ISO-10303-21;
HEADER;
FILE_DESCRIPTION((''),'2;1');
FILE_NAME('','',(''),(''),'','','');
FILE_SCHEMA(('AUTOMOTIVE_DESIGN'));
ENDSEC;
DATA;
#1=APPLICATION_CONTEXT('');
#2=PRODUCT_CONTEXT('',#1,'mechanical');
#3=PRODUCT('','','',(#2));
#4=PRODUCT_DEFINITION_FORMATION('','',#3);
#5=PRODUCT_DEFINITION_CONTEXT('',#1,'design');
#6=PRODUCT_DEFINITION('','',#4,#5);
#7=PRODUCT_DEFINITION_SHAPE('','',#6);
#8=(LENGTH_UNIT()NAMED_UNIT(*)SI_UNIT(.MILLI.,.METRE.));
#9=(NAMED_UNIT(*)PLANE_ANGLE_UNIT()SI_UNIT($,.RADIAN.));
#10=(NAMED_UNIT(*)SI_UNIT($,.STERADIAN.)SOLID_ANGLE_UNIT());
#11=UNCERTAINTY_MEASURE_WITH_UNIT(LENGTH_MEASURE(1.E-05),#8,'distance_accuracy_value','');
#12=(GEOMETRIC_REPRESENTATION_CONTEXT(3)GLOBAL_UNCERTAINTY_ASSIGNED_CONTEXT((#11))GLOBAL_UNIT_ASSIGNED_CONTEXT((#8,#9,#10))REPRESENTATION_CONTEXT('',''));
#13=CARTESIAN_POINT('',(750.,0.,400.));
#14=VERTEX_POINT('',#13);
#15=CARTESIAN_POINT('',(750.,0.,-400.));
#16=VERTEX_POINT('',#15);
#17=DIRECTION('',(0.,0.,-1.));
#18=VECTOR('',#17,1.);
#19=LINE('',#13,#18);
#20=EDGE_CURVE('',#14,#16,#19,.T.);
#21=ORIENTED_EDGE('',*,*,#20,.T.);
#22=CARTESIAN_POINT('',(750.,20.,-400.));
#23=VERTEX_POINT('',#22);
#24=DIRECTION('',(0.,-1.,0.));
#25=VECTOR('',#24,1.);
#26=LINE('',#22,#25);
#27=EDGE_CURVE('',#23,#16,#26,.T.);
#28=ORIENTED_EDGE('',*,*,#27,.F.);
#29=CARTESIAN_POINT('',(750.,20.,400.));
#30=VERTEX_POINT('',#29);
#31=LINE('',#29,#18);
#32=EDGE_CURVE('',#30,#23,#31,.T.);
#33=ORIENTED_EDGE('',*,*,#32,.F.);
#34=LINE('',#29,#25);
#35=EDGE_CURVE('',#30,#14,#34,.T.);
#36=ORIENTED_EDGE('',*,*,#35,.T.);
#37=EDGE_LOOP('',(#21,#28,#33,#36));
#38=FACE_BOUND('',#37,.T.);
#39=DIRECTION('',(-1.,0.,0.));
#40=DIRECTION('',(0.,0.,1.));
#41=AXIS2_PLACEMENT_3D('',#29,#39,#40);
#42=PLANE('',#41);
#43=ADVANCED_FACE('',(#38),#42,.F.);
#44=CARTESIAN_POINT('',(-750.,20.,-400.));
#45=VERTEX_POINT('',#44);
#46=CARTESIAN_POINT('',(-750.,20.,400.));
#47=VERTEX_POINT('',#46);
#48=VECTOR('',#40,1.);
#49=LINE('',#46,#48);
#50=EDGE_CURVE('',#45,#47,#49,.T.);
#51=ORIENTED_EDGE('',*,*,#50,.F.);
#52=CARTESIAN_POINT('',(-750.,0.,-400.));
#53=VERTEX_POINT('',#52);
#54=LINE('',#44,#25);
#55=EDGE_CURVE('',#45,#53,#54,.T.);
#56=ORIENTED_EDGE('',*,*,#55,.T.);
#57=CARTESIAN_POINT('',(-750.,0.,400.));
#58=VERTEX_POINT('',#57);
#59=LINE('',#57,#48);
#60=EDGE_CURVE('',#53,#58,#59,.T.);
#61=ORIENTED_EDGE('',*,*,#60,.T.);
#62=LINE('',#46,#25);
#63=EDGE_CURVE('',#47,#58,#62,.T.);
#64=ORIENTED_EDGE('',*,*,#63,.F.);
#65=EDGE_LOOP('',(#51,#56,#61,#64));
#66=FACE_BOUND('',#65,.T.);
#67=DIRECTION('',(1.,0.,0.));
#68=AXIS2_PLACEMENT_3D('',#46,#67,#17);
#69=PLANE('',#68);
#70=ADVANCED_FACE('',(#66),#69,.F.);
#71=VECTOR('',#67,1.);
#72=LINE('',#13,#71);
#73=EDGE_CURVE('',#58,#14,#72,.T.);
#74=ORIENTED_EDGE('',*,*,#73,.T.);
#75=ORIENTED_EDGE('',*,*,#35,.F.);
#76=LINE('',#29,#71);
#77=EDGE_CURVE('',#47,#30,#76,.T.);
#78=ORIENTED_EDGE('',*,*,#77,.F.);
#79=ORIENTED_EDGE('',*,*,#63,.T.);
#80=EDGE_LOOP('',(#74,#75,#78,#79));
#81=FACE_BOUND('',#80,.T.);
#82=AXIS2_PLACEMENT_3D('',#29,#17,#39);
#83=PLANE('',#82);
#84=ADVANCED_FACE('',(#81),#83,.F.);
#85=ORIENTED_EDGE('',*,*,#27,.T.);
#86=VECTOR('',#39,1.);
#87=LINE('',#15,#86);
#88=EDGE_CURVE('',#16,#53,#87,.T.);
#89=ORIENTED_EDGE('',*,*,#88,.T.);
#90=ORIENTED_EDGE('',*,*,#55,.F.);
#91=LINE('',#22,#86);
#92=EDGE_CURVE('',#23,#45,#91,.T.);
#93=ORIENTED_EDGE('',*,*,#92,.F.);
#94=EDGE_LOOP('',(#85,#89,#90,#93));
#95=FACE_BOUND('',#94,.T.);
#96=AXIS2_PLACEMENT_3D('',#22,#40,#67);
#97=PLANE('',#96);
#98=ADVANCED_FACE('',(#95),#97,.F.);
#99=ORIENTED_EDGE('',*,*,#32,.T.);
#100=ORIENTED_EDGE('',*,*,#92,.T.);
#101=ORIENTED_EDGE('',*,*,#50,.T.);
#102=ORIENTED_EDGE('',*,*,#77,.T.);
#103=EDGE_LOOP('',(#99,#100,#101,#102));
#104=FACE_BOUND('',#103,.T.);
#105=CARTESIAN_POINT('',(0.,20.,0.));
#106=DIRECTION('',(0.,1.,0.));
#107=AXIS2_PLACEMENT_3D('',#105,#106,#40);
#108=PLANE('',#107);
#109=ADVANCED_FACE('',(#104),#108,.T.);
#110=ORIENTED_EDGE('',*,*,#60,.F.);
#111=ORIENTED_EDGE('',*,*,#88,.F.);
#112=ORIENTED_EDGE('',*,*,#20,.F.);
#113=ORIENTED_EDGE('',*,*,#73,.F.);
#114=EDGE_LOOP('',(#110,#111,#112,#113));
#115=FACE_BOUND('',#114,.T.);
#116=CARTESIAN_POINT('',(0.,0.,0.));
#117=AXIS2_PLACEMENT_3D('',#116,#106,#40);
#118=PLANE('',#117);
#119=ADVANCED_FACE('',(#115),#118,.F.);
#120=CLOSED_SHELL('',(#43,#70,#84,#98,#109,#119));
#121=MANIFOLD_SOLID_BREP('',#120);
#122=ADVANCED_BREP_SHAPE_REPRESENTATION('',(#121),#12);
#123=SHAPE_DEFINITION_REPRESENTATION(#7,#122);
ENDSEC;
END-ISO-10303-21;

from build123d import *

# Parameters (mm, degrees)
CROQUIS1_W              = 1500
CROQUIS1_H              = 800
SALIENTE_EXTRUIR1_DEPTH = 20


with BuildPart() as part:
    # Croquis1 → Saliente-Extruir1 (new body)
    with BuildSketch(Plane(origin=(0, 0, 0), x_dir=(1, 0, 0), z_dir=(0, 1, 0))):
        Rectangle(CROQUIS1_W, CROQUIS1_H)
    extrude(amount=SALIENTE_EXTRUIR1_DEPTH)


solid = part.part
